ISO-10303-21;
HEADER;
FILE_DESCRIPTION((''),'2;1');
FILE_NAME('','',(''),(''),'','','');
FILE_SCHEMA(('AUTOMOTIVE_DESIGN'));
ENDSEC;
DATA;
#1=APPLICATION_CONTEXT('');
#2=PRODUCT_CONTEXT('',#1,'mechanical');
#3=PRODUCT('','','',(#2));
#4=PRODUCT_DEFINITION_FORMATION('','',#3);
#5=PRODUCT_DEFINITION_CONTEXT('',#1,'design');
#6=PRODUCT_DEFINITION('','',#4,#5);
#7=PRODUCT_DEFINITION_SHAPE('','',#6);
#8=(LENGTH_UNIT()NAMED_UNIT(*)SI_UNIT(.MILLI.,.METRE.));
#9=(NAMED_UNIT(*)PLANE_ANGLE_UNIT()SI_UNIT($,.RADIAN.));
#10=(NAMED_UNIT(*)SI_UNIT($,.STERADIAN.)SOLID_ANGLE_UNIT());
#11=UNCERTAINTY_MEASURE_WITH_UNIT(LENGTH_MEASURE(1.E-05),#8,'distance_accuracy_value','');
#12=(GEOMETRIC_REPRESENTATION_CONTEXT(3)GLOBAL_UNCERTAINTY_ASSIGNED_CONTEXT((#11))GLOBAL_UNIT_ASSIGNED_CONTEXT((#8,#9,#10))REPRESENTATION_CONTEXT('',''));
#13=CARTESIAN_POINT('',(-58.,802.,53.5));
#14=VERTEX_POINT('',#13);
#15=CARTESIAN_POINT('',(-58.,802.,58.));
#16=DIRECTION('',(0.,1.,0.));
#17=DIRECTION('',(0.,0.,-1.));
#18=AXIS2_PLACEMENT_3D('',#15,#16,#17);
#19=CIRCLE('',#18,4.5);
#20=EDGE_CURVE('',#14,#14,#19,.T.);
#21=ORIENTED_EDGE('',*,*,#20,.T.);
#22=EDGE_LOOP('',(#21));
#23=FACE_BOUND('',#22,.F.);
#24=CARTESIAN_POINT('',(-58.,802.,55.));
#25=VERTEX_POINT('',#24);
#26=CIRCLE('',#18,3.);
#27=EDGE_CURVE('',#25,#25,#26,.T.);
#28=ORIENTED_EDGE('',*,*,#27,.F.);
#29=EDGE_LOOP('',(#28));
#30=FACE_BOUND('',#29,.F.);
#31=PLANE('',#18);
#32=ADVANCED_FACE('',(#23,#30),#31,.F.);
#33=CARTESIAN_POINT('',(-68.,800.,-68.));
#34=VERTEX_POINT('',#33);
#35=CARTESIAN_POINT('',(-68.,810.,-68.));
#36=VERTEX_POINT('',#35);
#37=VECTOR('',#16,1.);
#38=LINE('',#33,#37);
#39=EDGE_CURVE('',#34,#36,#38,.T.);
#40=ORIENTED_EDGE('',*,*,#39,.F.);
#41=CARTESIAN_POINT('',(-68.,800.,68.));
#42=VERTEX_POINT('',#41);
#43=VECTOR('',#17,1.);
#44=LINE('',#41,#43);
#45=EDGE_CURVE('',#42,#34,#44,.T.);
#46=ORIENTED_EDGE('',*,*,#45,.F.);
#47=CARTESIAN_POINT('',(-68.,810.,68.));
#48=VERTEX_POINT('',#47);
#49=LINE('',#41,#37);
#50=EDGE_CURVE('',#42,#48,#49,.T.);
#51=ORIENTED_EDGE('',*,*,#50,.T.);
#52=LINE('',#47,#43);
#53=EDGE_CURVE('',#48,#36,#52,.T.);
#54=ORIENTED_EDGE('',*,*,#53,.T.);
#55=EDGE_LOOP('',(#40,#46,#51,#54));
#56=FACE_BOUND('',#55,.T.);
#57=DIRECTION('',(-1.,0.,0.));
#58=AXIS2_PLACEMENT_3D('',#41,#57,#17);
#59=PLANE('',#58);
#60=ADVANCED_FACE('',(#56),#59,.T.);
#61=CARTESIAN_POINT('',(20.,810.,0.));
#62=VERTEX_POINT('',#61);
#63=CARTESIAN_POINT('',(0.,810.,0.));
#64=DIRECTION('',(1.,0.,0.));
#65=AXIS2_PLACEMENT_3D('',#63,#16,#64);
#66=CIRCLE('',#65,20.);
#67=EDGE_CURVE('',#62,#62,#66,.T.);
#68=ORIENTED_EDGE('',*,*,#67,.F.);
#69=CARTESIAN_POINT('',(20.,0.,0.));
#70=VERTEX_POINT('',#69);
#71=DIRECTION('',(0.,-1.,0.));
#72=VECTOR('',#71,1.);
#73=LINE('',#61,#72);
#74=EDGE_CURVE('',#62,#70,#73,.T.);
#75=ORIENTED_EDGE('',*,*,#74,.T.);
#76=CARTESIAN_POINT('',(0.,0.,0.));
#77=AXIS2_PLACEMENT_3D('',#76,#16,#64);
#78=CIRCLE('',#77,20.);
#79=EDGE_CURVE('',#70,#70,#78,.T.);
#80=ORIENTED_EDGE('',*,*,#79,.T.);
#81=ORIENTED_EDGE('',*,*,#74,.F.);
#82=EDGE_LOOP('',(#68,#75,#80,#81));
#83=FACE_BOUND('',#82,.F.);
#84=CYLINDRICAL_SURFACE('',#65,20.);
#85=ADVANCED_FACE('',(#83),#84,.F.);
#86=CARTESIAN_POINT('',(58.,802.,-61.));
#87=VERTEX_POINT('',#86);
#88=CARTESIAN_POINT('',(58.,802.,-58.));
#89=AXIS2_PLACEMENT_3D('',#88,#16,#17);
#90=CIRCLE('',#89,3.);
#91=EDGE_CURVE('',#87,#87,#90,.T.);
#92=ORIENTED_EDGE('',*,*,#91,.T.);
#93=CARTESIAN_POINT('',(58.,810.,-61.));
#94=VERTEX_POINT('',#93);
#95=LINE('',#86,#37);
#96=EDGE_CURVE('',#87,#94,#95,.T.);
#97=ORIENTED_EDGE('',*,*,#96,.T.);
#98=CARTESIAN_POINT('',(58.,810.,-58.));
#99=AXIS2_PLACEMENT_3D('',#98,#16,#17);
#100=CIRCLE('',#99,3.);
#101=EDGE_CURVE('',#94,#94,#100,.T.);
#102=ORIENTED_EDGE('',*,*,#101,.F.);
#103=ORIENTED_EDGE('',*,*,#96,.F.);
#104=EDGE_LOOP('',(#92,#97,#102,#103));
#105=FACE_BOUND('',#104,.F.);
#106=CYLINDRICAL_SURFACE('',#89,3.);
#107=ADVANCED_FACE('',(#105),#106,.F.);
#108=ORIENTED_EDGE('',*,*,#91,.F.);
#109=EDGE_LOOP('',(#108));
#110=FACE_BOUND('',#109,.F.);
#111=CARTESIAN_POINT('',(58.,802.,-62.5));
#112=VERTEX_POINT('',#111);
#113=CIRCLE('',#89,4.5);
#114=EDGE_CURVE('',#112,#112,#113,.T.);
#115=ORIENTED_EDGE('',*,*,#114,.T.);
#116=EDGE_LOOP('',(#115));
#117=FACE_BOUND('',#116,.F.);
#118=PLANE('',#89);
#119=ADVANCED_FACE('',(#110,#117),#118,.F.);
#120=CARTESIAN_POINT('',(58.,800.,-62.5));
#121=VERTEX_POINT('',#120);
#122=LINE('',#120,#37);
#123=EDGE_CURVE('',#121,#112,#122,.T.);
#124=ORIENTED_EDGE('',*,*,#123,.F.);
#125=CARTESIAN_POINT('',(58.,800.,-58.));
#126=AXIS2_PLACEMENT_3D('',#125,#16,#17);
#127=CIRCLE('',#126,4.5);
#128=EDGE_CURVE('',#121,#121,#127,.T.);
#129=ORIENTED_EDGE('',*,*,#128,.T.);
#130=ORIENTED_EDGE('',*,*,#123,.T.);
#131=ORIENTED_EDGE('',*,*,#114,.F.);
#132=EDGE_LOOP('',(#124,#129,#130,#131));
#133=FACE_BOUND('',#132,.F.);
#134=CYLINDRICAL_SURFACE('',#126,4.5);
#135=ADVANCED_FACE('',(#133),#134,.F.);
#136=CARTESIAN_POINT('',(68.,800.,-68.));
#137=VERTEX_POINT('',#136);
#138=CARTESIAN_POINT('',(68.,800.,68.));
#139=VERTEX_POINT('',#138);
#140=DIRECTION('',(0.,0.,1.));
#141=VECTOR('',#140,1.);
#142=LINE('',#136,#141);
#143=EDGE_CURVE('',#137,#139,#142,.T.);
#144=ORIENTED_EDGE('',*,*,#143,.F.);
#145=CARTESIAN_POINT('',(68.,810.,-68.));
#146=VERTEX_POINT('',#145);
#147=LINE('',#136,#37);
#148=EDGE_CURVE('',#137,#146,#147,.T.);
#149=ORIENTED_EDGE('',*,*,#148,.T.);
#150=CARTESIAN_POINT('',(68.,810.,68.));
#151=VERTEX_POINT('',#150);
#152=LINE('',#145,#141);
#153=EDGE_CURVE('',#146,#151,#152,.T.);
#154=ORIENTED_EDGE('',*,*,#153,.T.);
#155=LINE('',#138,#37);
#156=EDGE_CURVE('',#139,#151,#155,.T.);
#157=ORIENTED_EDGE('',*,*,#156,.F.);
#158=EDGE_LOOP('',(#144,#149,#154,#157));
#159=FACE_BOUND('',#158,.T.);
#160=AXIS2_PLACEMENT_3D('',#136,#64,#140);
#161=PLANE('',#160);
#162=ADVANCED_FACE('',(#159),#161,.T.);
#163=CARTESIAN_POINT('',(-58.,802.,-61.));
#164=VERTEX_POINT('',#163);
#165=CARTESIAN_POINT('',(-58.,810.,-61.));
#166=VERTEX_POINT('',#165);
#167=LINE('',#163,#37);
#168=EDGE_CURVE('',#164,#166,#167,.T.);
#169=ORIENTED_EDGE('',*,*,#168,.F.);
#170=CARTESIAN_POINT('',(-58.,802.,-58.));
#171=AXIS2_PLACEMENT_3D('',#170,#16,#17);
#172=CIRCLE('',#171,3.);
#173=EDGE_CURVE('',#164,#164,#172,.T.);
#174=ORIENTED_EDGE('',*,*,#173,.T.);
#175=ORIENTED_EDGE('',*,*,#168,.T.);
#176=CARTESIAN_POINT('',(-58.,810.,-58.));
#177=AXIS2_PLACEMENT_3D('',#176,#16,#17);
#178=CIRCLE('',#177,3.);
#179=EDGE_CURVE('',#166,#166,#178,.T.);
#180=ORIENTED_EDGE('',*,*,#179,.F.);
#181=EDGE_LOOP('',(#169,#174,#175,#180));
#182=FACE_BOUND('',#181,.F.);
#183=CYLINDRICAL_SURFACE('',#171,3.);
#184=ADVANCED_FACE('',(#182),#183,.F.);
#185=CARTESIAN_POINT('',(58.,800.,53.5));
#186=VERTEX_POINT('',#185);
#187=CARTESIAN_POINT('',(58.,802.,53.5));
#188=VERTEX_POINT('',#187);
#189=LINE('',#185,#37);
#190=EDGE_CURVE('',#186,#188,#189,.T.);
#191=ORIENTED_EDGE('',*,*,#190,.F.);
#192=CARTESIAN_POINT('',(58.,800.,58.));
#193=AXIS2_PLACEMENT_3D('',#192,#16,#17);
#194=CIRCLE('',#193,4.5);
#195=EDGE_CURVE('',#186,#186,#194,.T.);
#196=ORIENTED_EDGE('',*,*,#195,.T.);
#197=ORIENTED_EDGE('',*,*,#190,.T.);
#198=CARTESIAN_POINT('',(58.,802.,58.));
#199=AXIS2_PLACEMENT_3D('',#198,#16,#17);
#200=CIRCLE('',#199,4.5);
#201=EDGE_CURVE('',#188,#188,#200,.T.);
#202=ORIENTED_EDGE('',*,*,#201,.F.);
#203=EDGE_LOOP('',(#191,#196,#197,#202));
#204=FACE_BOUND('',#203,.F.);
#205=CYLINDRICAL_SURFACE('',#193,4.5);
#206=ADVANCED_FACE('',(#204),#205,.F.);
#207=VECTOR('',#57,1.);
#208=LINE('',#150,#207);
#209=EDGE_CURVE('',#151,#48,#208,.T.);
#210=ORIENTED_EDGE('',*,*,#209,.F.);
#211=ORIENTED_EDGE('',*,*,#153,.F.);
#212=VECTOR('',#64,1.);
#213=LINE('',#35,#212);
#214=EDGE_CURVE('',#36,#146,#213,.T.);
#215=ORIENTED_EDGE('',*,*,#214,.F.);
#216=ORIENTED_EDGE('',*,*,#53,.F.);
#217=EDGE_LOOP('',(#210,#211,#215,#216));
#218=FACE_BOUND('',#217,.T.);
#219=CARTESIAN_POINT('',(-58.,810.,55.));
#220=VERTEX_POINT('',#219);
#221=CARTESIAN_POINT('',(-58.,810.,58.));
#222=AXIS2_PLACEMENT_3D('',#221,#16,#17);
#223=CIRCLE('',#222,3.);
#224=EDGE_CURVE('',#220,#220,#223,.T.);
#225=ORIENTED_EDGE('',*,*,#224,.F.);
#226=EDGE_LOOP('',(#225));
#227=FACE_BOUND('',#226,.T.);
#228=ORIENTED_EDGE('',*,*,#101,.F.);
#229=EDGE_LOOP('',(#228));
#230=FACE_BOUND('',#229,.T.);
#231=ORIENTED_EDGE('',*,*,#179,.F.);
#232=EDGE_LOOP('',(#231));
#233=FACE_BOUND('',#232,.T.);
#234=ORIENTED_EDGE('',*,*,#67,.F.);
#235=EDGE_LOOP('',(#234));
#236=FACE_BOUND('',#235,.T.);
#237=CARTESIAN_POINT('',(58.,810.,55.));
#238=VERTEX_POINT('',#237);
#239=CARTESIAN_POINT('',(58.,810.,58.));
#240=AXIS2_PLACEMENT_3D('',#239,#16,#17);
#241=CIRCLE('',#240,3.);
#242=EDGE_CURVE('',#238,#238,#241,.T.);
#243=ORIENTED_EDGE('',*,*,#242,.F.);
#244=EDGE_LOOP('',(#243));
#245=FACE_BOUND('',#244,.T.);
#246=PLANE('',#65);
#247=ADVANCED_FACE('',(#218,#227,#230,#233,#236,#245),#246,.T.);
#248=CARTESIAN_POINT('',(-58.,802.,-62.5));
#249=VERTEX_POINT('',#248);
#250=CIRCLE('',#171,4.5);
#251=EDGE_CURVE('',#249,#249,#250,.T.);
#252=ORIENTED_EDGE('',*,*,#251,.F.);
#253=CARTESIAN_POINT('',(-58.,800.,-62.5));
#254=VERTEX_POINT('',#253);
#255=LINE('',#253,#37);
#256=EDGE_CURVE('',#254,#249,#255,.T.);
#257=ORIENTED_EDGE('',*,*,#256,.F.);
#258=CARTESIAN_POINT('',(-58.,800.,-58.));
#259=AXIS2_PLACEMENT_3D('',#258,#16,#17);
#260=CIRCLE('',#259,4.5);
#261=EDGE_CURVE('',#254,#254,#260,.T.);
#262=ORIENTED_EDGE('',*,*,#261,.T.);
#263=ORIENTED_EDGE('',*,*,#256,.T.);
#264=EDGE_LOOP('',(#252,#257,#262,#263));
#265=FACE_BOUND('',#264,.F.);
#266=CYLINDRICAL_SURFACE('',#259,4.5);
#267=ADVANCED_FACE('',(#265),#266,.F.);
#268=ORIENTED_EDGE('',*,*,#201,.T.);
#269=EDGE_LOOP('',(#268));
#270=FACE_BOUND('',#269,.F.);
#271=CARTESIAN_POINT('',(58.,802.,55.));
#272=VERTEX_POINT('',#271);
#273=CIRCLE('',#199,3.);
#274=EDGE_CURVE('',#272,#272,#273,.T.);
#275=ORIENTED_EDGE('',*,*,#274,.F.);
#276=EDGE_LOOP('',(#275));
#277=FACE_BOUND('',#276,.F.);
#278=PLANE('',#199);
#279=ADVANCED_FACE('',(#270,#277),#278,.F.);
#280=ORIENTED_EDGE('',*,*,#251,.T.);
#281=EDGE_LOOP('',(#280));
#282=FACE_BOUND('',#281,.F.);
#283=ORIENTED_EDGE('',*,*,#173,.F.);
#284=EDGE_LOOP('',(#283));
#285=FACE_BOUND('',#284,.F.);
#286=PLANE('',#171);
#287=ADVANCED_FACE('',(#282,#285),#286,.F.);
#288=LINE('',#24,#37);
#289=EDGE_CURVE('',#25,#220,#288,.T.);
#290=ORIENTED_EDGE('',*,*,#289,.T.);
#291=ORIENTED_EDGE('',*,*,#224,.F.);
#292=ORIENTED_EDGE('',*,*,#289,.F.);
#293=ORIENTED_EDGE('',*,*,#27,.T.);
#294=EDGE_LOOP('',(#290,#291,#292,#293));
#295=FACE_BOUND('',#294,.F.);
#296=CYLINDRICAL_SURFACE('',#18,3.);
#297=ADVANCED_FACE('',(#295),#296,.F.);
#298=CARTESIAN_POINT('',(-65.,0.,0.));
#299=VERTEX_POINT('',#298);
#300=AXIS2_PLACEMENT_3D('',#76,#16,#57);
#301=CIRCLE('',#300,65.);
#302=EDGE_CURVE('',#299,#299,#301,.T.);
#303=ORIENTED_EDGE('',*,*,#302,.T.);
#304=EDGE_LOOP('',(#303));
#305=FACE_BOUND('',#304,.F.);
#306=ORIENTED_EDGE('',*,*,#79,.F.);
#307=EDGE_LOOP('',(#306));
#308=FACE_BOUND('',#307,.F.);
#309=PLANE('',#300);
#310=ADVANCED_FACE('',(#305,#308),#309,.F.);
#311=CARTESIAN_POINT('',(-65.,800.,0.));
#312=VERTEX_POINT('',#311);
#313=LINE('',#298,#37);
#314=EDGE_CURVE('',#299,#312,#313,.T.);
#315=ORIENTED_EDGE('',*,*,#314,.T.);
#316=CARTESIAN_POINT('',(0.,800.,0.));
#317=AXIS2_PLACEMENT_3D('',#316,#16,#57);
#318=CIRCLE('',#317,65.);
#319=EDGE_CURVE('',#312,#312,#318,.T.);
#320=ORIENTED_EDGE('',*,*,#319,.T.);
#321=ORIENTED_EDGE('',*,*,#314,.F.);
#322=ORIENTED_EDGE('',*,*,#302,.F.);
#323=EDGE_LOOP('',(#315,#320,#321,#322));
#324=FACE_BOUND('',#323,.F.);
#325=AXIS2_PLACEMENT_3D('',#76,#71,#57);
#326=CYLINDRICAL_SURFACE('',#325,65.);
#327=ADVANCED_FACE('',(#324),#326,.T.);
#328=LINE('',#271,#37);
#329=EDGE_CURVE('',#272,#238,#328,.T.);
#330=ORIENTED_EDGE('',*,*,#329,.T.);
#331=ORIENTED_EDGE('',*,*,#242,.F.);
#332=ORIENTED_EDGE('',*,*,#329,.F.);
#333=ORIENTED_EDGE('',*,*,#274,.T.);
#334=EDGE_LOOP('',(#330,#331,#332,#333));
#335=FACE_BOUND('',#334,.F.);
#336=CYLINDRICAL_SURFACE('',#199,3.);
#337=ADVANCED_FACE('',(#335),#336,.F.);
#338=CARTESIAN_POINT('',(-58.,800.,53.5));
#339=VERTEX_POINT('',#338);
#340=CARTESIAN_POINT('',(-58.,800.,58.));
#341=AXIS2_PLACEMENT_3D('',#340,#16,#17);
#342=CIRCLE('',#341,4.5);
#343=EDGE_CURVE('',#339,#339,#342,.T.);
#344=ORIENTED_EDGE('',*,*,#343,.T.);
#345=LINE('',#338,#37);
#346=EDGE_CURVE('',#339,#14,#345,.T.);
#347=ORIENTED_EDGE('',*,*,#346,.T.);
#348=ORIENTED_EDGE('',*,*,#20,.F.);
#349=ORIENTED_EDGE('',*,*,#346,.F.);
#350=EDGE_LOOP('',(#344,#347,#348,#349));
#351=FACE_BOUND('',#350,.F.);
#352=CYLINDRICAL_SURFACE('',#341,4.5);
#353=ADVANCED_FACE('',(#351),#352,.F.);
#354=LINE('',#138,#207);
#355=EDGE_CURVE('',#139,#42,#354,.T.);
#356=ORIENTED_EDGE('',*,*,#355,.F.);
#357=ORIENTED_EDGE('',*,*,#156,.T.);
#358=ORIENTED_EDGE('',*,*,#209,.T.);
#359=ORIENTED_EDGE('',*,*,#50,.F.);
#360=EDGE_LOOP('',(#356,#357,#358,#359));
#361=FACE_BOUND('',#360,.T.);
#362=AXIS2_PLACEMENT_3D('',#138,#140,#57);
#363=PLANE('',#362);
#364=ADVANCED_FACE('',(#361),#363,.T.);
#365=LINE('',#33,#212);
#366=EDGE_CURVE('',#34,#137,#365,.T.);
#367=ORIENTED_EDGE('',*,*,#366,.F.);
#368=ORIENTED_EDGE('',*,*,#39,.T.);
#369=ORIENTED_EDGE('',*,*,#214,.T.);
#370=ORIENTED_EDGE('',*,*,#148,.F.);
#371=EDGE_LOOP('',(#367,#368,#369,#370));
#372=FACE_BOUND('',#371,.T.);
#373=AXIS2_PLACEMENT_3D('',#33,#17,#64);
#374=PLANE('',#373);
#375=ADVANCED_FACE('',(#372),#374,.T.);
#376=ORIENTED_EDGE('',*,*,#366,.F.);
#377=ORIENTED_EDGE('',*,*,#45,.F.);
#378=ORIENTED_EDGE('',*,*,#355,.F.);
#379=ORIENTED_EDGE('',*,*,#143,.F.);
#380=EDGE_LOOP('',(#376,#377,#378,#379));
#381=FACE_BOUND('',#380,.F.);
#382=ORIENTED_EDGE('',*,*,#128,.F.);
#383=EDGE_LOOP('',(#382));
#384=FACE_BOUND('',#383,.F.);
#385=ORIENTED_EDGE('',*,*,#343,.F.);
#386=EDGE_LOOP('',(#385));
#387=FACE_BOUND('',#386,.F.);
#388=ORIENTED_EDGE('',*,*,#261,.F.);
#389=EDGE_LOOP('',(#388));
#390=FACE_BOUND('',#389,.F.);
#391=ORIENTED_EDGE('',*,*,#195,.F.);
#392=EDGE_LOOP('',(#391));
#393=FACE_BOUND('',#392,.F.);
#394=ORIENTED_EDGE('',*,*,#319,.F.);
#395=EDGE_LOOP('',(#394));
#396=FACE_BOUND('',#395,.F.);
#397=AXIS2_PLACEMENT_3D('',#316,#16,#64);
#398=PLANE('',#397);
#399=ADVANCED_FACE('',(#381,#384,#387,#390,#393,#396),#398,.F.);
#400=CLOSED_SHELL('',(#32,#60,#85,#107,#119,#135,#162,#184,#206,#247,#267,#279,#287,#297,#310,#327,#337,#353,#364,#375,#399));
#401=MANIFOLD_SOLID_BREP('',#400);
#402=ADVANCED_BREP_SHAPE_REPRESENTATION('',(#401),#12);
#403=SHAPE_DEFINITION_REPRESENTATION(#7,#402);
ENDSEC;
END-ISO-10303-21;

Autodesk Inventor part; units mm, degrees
ref_plane "YZ Plane" through (0, 0, 0) normal (1, 0, 0) x (0, 1, 0)
ref_plane "XZ Plane" through (0, 0, 0) normal (0, 1, 0) x (-1, 0, 0)
sketch "Sketch1" plane through (0, 0, 0) normal (0, 1, 0) x (-1, 0, 0)
  circle A0 centre (0, 0) radius 65
  dimension "d0" = 130
extrude "Beam" add sketch "Sketch1" along normal blind 800
ref_plane "Work Plane1" through (0, 800, 0) normal (0, 1, 0) x (1, 0, 0)
sketch "Sketch2" plane through (0, 800, 0) normal (0, 1, 0) x (1, 0, 0)
  line L0 (-68, 68) -> (68, 68)
  line L1 (68, 68) -> (68, -68)
  line L2 (68, -68) -> (-68, -68)
  line L3 (-68, -68) -> (-68, 68)
  line L4 (-68, 68) -> (68, -68) construction
  line L5 (68, 68) -> (-68, -68) construction
  point P0 (0, 0)
extrude "Connector" add sketch "Sketch2" along normal blind 10
sketch "Sketch6" plane through (0, 810, 0) normal (0, 1, 0) x (1, 0, 0)
  circle A0 centre (0, 0) radius 20
extrude "CableHole" cut sketch "Sketch6" against normal up to next
sketch "Sketch8" plane through (0, 800, 0) normal (0, -1, 0) x (1, 0, 0)
  point P0 (0, 0)
  point P1 (58, -58)
  point P2 (-58, -58)
  point P3 (-58, 58)
  point P4 (58, 58)
hole "Hole2" at (58, 800, -58) at (-58, 800, -58) at (-58, 800, 58) at (58, 800, 58) direction (0, 1, 0) diameter 6 depth 10 tip angle 118 counterbore diameter 9 counterbore depth 2
properties part number "RaAxis"
